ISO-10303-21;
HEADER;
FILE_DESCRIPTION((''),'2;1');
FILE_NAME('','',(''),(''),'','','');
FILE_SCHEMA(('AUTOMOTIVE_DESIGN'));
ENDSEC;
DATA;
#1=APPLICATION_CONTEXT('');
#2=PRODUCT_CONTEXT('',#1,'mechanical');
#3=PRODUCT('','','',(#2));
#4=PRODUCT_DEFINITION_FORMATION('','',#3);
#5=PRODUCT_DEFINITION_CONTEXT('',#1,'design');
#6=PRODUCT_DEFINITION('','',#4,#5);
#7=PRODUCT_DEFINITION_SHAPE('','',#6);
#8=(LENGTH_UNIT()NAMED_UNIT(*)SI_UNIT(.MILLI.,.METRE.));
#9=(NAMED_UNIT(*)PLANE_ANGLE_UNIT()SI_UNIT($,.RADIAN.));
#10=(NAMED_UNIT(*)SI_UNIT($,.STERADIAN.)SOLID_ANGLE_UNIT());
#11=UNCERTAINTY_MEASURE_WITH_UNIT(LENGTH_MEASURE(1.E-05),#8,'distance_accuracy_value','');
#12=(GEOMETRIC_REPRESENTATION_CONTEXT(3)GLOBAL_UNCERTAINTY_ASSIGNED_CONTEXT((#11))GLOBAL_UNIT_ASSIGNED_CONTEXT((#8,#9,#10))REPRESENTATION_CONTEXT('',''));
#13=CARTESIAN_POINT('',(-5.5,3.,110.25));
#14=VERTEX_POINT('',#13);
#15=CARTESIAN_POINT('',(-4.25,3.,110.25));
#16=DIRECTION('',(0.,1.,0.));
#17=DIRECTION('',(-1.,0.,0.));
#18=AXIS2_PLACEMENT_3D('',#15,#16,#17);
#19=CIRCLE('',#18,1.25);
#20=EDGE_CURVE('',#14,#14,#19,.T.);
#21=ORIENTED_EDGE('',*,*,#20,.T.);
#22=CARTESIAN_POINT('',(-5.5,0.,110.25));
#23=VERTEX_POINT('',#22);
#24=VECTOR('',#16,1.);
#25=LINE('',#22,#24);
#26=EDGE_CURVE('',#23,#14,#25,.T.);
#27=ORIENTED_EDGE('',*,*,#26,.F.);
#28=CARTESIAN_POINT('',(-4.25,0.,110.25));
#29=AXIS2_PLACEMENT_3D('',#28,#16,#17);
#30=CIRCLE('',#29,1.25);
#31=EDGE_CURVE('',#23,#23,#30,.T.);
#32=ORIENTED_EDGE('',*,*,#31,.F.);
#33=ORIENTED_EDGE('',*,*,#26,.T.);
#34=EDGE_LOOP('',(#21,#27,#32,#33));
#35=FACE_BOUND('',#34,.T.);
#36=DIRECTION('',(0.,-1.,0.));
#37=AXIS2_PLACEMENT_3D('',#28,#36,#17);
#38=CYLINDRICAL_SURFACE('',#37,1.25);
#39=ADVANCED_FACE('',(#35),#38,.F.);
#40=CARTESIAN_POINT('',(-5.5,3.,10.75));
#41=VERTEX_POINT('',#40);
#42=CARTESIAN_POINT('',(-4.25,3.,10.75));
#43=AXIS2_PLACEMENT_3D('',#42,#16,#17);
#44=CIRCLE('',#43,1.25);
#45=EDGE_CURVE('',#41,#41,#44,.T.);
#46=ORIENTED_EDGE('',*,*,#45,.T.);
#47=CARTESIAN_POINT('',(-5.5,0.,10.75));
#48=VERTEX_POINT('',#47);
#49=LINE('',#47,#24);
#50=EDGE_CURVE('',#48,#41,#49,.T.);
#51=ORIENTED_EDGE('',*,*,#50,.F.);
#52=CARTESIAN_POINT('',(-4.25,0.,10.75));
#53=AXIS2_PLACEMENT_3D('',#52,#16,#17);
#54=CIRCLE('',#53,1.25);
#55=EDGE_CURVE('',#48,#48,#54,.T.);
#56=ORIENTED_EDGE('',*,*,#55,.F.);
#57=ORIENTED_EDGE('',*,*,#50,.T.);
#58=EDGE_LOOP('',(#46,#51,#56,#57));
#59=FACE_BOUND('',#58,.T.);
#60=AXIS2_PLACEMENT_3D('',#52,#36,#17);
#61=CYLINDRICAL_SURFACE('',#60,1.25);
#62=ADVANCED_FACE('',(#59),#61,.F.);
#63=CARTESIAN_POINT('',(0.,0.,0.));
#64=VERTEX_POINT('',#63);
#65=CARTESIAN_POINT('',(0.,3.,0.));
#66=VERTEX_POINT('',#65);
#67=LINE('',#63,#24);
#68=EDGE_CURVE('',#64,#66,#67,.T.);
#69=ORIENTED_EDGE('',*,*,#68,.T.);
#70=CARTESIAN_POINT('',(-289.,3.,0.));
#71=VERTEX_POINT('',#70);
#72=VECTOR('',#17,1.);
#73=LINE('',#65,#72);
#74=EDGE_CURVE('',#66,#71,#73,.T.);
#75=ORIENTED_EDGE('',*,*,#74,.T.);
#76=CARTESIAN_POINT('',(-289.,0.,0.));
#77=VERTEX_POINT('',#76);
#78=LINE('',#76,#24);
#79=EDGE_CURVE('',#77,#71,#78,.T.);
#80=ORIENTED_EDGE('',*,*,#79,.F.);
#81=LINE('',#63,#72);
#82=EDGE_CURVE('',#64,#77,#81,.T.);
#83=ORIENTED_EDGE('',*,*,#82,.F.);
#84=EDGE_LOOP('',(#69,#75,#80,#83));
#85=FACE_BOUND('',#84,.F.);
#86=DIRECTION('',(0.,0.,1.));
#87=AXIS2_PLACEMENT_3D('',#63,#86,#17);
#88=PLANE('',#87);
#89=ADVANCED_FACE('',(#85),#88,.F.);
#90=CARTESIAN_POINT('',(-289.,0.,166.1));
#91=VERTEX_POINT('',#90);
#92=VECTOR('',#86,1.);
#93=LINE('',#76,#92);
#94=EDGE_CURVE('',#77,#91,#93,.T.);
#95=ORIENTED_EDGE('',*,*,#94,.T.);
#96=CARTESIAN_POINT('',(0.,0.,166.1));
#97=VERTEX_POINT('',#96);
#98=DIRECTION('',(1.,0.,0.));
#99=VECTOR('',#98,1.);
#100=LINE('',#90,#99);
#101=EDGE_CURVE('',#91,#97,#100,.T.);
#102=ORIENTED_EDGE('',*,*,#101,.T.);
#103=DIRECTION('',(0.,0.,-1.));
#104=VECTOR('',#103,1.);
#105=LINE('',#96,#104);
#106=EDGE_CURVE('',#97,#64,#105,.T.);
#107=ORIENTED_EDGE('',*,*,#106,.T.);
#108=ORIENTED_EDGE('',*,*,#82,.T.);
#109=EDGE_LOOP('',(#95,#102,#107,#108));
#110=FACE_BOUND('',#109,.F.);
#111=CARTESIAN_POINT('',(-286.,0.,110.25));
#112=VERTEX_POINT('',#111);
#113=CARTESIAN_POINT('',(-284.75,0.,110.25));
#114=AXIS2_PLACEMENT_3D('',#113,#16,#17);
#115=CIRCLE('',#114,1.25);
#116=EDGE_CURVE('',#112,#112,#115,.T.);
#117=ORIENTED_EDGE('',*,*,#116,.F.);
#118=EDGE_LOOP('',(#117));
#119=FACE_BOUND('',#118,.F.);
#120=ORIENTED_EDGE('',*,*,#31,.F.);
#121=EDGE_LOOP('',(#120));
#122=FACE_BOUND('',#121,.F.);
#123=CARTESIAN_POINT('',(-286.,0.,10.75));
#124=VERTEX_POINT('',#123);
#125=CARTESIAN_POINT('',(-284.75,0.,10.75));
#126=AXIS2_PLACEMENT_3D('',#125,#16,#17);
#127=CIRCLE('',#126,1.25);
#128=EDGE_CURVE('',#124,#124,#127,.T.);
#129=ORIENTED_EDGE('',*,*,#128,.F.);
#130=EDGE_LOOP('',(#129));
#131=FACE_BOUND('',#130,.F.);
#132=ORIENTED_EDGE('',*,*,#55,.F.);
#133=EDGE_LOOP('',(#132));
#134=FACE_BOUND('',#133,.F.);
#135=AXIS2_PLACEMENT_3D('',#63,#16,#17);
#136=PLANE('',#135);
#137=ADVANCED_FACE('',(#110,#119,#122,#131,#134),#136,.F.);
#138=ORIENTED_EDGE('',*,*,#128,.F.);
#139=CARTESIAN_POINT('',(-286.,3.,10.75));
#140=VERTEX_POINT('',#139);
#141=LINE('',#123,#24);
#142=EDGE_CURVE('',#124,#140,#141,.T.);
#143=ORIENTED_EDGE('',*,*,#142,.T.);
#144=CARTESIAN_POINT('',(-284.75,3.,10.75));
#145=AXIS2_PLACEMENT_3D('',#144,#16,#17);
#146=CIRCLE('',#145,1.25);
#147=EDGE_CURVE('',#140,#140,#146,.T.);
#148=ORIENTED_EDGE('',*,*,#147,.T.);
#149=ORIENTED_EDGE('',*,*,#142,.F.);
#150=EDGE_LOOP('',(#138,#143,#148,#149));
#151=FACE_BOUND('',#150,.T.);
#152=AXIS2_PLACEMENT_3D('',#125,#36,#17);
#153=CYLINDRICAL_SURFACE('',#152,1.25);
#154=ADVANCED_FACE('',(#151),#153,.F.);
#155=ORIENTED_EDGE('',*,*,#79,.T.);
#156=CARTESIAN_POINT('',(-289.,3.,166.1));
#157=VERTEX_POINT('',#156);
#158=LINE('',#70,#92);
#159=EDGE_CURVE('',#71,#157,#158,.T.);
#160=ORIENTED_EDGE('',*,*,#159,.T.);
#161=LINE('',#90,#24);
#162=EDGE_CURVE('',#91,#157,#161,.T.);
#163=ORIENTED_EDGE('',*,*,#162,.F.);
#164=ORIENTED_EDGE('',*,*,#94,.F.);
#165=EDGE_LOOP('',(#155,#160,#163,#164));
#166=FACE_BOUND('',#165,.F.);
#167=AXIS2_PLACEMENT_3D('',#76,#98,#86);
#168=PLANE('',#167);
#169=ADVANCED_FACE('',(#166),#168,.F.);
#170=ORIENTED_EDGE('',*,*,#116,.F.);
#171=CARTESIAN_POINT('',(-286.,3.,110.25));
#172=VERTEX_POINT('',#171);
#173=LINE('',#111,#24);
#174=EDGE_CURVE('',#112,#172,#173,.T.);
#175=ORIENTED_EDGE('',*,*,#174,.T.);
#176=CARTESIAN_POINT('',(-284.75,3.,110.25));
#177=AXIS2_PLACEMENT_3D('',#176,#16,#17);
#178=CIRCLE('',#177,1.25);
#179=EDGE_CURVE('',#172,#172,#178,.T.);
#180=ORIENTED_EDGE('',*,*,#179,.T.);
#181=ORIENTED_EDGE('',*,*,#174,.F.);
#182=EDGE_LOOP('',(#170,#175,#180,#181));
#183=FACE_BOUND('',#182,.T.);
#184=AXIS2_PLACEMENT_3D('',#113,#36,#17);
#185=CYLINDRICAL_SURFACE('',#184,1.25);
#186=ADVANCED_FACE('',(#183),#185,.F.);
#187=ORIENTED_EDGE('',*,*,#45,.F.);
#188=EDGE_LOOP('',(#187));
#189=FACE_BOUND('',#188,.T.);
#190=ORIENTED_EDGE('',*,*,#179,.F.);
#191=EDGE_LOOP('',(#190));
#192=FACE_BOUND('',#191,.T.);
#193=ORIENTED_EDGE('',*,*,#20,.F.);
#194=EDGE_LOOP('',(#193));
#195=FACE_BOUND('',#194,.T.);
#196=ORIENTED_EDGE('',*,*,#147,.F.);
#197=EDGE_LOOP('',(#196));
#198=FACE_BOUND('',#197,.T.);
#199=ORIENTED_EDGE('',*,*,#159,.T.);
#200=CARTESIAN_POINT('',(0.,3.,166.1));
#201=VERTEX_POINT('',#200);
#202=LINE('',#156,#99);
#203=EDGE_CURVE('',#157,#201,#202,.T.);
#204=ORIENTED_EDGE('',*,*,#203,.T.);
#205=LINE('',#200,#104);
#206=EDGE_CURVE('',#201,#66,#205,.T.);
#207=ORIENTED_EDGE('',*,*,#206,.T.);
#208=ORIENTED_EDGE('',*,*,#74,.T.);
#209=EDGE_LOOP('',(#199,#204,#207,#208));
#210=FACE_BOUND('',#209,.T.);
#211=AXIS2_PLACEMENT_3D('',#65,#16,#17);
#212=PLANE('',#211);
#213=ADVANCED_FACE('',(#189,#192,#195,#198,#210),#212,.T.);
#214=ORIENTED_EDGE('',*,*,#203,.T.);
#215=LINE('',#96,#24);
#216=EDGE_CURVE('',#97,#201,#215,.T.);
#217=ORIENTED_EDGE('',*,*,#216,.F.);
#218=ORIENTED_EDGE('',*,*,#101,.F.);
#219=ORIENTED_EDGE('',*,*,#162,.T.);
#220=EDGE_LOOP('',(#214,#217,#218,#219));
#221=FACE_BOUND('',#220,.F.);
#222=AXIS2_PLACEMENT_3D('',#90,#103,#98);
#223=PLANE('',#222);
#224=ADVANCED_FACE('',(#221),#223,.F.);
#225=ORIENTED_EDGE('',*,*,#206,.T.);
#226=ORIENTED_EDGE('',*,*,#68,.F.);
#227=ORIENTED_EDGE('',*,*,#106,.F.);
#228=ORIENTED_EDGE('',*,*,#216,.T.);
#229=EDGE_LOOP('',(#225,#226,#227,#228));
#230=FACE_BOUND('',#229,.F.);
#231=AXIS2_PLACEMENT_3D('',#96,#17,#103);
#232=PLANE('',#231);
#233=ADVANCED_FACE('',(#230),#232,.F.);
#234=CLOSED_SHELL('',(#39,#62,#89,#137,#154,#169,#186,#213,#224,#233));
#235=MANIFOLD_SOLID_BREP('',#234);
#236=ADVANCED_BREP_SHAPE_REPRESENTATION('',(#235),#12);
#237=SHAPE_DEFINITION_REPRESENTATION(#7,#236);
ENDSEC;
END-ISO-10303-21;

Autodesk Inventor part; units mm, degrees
ref_plane "YZ Plane" through (0, 0, 0) normal (1, 0, 0) x (0, 1, 0)
ref_plane "XZ Plane" through (0, 0, 0) normal (0, 1, 0) x (-1, 0, 0)
ref_plane "XY Plane" through (0, 0, 0) normal (0, 0, 1) x (1, 0, 0)
sketch "Sketch1" plane through (0, 0, 0) normal (0, 1, 0) x (-1, 0, 0)
  line L0 (0, 0) -> (289, 0)
  line L1 (289, 0) -> (289, 166.1)
  line L2 (289, 166.1) -> (0, 166.1)
  line L3 (0, 166.1) -> (0, 0)
  circle A0 centre (4.25, 10.75) radius 1.25
  circle A1 centre (4.25, 110.25) radius 1.25
  line L4 (144.5, 166.1) -> (144.5, 0) construction
  circle A2 centre (284.75, 10.75) radius 1.25
  circle A3 centre (284.75, 110.25) radius 1.25
  dimension "d0" = 289
  dimension "d1" = 166.1
  dimension "d4" = 2.5
  dimension "d5" = 4.25
  dimension "d6" = 10.75
  dimension "d7" = 2.5
  dimension "d8" = 4.25
  dimension "d9" = 99.5
extrude "Extrusion1" add sketch "Sketch1" along normal blind 3
equation "\"d7\" = d4"
equation "\"d8\" = d5"
properties part number "wall-front-outer"
